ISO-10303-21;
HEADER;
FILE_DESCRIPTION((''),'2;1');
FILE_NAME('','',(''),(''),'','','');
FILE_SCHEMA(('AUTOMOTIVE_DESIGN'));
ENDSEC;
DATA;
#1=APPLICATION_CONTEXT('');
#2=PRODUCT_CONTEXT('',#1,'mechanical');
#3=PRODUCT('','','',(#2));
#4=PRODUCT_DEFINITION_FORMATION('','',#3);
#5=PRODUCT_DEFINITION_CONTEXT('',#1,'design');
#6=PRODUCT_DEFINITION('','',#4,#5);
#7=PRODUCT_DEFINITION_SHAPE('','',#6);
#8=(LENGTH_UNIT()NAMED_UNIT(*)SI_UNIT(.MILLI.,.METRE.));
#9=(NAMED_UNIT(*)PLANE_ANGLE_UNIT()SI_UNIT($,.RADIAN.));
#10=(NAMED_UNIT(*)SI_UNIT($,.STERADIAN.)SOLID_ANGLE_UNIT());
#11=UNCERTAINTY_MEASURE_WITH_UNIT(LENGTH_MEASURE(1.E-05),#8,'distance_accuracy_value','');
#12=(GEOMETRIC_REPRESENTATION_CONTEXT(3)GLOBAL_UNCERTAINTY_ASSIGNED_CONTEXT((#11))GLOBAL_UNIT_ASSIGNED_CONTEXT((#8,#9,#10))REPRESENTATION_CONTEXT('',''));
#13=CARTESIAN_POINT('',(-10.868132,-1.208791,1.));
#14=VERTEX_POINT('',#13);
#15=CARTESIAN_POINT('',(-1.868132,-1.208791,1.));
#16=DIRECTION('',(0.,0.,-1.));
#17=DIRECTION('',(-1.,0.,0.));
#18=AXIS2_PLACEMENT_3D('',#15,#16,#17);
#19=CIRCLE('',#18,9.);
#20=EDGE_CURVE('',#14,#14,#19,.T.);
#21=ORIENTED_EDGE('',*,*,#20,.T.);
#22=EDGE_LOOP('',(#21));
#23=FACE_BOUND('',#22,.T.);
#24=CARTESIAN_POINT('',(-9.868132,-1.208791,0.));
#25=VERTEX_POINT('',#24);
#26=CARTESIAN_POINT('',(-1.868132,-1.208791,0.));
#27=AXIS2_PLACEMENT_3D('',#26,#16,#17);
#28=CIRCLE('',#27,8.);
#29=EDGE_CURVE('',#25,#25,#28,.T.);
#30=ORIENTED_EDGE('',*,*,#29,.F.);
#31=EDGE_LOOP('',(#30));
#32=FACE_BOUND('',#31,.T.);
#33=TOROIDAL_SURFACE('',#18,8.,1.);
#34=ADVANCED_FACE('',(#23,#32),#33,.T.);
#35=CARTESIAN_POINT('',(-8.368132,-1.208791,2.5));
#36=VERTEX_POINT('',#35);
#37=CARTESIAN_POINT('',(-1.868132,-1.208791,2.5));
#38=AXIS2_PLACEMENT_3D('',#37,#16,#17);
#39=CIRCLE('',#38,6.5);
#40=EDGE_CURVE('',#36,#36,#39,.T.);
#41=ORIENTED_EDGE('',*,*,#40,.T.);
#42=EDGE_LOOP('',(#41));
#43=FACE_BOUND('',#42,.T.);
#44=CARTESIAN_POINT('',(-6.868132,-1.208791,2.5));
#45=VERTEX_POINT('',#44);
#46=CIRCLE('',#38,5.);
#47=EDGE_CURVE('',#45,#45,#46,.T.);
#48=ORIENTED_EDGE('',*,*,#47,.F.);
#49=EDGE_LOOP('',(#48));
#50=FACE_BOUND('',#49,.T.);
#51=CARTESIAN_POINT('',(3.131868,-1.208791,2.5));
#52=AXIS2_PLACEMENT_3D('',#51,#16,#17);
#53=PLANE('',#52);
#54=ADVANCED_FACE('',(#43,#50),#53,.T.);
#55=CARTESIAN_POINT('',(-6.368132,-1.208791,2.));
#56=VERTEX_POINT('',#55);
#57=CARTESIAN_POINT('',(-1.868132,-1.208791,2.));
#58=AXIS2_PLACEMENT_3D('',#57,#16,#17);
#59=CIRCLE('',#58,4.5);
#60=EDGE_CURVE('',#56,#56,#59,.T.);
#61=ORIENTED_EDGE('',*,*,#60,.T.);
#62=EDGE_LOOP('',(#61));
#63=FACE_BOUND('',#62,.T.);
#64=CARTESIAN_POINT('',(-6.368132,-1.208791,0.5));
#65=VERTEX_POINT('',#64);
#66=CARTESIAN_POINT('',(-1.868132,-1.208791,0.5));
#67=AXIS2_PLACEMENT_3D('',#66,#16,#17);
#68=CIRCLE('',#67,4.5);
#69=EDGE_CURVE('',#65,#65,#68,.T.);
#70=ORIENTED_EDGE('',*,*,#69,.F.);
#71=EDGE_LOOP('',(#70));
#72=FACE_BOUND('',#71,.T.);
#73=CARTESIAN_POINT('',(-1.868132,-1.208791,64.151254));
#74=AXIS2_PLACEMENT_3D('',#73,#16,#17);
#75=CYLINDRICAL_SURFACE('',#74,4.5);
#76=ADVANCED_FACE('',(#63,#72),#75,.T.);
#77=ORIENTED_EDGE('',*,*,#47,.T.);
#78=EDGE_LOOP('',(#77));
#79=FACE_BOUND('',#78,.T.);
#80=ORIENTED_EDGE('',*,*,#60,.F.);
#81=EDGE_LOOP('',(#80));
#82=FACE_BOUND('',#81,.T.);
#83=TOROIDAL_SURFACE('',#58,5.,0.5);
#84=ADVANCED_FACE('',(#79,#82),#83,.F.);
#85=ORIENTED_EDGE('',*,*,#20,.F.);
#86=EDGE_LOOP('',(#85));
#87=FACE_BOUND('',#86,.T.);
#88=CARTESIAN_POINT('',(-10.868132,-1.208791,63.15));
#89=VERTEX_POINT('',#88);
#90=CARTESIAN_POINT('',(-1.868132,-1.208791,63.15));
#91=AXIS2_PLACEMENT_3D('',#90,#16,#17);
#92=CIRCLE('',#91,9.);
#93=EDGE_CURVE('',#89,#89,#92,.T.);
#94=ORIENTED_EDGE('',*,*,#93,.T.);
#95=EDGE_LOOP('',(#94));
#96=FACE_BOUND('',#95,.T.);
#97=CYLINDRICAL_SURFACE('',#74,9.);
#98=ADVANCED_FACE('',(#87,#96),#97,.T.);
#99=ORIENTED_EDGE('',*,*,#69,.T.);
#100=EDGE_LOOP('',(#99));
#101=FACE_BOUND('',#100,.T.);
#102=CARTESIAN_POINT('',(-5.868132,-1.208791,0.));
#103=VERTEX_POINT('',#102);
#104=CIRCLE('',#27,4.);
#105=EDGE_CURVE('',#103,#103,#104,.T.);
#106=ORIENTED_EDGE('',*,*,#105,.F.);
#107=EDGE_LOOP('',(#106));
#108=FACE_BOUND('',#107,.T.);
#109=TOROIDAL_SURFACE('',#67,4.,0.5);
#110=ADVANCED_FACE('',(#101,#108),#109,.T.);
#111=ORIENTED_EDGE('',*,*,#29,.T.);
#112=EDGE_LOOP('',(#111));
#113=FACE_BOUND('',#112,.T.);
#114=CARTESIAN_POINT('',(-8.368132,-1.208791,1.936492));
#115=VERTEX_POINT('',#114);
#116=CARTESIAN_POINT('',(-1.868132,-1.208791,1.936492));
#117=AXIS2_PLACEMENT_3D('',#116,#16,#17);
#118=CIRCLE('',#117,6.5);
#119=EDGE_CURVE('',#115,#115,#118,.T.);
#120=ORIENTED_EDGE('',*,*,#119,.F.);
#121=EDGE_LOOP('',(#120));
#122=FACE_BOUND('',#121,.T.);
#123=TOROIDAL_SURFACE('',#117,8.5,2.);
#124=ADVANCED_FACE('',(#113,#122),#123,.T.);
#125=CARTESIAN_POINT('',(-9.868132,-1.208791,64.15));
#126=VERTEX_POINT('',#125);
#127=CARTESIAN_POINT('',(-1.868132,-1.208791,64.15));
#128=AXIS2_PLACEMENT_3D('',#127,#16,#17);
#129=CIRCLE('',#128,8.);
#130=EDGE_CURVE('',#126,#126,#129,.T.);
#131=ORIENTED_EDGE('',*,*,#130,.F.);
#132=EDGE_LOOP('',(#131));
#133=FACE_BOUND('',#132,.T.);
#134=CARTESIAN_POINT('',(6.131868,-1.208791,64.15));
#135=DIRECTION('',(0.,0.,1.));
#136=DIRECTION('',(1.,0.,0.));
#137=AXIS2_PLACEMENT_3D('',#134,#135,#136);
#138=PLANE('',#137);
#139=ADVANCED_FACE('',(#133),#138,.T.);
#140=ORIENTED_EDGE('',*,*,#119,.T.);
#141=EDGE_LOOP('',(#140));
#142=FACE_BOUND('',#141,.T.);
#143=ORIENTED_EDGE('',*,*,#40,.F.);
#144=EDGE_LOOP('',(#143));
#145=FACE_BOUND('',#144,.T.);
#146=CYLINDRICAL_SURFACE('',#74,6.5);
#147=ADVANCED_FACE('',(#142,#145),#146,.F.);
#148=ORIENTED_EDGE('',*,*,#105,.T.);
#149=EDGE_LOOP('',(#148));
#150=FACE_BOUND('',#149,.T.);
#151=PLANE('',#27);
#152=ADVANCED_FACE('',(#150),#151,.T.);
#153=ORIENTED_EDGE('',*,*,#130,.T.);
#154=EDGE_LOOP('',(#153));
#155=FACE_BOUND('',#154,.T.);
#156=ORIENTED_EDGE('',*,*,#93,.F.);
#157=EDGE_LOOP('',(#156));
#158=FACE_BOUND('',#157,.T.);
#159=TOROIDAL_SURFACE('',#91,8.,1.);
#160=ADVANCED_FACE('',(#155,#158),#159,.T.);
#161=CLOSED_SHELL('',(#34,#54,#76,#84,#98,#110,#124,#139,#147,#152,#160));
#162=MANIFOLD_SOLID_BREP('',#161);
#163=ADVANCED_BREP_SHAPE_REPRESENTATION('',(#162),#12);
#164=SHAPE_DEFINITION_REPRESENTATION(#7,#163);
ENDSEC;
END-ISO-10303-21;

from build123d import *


with BuildPart() as part:
    # Sketch1 → Revolve1 (revolve)
    with BuildSketch(Plane.XZ.offset(1.208791209), mode=Mode.PRIVATE) as revolve1_sk:
        with BuildLine():
            Line((6.131868132, 64.15), (-1.868131868, 64.15))
            Line((-1.868131868, 64.15), (-1.868131868, 0))
            Line((-1.868131868, 0), (2.131868132, 0))
            ThreePointArc((2.131868132, 0), (2.485421522, 0.146446609), (2.631868132, 0.5))
            Line((2.631868132, 0.5), (2.631868132, 2))
            ThreePointArc((2.631868132, 2), (2.778314741, 2.353553391), (3.131868132, 2.5))
            Line((3.131868132, 2.5), (4.631868132, 2.5))
            Line((4.631868132, 2.5), (4.631868132, 1.936491673))
            ThreePointArc((4.631868132, 1.936491673), (5.050729302, 0.711746802), (6.131868132, 0))
            ThreePointArc((6.131868132, 0), (6.838974913, 0.292893219), (7.131868132, 1))
            Line((7.131868132, 1), (7.131868132, 63.15))
            ThreePointArc((7.131868132, 63.15), (6.838974913, 63.857106781), (6.131868132, 64.15))
        make_face()
    revolve(revolve1_sk.sketch.rotate(Axis((-1.868131868, -1.208791209, 64.151253994), (0, 0, -1)), 180), axis=Axis((-1.868131868, -1.208791209, 64.151253994), (0, 0, -1)))


solid = part.part
